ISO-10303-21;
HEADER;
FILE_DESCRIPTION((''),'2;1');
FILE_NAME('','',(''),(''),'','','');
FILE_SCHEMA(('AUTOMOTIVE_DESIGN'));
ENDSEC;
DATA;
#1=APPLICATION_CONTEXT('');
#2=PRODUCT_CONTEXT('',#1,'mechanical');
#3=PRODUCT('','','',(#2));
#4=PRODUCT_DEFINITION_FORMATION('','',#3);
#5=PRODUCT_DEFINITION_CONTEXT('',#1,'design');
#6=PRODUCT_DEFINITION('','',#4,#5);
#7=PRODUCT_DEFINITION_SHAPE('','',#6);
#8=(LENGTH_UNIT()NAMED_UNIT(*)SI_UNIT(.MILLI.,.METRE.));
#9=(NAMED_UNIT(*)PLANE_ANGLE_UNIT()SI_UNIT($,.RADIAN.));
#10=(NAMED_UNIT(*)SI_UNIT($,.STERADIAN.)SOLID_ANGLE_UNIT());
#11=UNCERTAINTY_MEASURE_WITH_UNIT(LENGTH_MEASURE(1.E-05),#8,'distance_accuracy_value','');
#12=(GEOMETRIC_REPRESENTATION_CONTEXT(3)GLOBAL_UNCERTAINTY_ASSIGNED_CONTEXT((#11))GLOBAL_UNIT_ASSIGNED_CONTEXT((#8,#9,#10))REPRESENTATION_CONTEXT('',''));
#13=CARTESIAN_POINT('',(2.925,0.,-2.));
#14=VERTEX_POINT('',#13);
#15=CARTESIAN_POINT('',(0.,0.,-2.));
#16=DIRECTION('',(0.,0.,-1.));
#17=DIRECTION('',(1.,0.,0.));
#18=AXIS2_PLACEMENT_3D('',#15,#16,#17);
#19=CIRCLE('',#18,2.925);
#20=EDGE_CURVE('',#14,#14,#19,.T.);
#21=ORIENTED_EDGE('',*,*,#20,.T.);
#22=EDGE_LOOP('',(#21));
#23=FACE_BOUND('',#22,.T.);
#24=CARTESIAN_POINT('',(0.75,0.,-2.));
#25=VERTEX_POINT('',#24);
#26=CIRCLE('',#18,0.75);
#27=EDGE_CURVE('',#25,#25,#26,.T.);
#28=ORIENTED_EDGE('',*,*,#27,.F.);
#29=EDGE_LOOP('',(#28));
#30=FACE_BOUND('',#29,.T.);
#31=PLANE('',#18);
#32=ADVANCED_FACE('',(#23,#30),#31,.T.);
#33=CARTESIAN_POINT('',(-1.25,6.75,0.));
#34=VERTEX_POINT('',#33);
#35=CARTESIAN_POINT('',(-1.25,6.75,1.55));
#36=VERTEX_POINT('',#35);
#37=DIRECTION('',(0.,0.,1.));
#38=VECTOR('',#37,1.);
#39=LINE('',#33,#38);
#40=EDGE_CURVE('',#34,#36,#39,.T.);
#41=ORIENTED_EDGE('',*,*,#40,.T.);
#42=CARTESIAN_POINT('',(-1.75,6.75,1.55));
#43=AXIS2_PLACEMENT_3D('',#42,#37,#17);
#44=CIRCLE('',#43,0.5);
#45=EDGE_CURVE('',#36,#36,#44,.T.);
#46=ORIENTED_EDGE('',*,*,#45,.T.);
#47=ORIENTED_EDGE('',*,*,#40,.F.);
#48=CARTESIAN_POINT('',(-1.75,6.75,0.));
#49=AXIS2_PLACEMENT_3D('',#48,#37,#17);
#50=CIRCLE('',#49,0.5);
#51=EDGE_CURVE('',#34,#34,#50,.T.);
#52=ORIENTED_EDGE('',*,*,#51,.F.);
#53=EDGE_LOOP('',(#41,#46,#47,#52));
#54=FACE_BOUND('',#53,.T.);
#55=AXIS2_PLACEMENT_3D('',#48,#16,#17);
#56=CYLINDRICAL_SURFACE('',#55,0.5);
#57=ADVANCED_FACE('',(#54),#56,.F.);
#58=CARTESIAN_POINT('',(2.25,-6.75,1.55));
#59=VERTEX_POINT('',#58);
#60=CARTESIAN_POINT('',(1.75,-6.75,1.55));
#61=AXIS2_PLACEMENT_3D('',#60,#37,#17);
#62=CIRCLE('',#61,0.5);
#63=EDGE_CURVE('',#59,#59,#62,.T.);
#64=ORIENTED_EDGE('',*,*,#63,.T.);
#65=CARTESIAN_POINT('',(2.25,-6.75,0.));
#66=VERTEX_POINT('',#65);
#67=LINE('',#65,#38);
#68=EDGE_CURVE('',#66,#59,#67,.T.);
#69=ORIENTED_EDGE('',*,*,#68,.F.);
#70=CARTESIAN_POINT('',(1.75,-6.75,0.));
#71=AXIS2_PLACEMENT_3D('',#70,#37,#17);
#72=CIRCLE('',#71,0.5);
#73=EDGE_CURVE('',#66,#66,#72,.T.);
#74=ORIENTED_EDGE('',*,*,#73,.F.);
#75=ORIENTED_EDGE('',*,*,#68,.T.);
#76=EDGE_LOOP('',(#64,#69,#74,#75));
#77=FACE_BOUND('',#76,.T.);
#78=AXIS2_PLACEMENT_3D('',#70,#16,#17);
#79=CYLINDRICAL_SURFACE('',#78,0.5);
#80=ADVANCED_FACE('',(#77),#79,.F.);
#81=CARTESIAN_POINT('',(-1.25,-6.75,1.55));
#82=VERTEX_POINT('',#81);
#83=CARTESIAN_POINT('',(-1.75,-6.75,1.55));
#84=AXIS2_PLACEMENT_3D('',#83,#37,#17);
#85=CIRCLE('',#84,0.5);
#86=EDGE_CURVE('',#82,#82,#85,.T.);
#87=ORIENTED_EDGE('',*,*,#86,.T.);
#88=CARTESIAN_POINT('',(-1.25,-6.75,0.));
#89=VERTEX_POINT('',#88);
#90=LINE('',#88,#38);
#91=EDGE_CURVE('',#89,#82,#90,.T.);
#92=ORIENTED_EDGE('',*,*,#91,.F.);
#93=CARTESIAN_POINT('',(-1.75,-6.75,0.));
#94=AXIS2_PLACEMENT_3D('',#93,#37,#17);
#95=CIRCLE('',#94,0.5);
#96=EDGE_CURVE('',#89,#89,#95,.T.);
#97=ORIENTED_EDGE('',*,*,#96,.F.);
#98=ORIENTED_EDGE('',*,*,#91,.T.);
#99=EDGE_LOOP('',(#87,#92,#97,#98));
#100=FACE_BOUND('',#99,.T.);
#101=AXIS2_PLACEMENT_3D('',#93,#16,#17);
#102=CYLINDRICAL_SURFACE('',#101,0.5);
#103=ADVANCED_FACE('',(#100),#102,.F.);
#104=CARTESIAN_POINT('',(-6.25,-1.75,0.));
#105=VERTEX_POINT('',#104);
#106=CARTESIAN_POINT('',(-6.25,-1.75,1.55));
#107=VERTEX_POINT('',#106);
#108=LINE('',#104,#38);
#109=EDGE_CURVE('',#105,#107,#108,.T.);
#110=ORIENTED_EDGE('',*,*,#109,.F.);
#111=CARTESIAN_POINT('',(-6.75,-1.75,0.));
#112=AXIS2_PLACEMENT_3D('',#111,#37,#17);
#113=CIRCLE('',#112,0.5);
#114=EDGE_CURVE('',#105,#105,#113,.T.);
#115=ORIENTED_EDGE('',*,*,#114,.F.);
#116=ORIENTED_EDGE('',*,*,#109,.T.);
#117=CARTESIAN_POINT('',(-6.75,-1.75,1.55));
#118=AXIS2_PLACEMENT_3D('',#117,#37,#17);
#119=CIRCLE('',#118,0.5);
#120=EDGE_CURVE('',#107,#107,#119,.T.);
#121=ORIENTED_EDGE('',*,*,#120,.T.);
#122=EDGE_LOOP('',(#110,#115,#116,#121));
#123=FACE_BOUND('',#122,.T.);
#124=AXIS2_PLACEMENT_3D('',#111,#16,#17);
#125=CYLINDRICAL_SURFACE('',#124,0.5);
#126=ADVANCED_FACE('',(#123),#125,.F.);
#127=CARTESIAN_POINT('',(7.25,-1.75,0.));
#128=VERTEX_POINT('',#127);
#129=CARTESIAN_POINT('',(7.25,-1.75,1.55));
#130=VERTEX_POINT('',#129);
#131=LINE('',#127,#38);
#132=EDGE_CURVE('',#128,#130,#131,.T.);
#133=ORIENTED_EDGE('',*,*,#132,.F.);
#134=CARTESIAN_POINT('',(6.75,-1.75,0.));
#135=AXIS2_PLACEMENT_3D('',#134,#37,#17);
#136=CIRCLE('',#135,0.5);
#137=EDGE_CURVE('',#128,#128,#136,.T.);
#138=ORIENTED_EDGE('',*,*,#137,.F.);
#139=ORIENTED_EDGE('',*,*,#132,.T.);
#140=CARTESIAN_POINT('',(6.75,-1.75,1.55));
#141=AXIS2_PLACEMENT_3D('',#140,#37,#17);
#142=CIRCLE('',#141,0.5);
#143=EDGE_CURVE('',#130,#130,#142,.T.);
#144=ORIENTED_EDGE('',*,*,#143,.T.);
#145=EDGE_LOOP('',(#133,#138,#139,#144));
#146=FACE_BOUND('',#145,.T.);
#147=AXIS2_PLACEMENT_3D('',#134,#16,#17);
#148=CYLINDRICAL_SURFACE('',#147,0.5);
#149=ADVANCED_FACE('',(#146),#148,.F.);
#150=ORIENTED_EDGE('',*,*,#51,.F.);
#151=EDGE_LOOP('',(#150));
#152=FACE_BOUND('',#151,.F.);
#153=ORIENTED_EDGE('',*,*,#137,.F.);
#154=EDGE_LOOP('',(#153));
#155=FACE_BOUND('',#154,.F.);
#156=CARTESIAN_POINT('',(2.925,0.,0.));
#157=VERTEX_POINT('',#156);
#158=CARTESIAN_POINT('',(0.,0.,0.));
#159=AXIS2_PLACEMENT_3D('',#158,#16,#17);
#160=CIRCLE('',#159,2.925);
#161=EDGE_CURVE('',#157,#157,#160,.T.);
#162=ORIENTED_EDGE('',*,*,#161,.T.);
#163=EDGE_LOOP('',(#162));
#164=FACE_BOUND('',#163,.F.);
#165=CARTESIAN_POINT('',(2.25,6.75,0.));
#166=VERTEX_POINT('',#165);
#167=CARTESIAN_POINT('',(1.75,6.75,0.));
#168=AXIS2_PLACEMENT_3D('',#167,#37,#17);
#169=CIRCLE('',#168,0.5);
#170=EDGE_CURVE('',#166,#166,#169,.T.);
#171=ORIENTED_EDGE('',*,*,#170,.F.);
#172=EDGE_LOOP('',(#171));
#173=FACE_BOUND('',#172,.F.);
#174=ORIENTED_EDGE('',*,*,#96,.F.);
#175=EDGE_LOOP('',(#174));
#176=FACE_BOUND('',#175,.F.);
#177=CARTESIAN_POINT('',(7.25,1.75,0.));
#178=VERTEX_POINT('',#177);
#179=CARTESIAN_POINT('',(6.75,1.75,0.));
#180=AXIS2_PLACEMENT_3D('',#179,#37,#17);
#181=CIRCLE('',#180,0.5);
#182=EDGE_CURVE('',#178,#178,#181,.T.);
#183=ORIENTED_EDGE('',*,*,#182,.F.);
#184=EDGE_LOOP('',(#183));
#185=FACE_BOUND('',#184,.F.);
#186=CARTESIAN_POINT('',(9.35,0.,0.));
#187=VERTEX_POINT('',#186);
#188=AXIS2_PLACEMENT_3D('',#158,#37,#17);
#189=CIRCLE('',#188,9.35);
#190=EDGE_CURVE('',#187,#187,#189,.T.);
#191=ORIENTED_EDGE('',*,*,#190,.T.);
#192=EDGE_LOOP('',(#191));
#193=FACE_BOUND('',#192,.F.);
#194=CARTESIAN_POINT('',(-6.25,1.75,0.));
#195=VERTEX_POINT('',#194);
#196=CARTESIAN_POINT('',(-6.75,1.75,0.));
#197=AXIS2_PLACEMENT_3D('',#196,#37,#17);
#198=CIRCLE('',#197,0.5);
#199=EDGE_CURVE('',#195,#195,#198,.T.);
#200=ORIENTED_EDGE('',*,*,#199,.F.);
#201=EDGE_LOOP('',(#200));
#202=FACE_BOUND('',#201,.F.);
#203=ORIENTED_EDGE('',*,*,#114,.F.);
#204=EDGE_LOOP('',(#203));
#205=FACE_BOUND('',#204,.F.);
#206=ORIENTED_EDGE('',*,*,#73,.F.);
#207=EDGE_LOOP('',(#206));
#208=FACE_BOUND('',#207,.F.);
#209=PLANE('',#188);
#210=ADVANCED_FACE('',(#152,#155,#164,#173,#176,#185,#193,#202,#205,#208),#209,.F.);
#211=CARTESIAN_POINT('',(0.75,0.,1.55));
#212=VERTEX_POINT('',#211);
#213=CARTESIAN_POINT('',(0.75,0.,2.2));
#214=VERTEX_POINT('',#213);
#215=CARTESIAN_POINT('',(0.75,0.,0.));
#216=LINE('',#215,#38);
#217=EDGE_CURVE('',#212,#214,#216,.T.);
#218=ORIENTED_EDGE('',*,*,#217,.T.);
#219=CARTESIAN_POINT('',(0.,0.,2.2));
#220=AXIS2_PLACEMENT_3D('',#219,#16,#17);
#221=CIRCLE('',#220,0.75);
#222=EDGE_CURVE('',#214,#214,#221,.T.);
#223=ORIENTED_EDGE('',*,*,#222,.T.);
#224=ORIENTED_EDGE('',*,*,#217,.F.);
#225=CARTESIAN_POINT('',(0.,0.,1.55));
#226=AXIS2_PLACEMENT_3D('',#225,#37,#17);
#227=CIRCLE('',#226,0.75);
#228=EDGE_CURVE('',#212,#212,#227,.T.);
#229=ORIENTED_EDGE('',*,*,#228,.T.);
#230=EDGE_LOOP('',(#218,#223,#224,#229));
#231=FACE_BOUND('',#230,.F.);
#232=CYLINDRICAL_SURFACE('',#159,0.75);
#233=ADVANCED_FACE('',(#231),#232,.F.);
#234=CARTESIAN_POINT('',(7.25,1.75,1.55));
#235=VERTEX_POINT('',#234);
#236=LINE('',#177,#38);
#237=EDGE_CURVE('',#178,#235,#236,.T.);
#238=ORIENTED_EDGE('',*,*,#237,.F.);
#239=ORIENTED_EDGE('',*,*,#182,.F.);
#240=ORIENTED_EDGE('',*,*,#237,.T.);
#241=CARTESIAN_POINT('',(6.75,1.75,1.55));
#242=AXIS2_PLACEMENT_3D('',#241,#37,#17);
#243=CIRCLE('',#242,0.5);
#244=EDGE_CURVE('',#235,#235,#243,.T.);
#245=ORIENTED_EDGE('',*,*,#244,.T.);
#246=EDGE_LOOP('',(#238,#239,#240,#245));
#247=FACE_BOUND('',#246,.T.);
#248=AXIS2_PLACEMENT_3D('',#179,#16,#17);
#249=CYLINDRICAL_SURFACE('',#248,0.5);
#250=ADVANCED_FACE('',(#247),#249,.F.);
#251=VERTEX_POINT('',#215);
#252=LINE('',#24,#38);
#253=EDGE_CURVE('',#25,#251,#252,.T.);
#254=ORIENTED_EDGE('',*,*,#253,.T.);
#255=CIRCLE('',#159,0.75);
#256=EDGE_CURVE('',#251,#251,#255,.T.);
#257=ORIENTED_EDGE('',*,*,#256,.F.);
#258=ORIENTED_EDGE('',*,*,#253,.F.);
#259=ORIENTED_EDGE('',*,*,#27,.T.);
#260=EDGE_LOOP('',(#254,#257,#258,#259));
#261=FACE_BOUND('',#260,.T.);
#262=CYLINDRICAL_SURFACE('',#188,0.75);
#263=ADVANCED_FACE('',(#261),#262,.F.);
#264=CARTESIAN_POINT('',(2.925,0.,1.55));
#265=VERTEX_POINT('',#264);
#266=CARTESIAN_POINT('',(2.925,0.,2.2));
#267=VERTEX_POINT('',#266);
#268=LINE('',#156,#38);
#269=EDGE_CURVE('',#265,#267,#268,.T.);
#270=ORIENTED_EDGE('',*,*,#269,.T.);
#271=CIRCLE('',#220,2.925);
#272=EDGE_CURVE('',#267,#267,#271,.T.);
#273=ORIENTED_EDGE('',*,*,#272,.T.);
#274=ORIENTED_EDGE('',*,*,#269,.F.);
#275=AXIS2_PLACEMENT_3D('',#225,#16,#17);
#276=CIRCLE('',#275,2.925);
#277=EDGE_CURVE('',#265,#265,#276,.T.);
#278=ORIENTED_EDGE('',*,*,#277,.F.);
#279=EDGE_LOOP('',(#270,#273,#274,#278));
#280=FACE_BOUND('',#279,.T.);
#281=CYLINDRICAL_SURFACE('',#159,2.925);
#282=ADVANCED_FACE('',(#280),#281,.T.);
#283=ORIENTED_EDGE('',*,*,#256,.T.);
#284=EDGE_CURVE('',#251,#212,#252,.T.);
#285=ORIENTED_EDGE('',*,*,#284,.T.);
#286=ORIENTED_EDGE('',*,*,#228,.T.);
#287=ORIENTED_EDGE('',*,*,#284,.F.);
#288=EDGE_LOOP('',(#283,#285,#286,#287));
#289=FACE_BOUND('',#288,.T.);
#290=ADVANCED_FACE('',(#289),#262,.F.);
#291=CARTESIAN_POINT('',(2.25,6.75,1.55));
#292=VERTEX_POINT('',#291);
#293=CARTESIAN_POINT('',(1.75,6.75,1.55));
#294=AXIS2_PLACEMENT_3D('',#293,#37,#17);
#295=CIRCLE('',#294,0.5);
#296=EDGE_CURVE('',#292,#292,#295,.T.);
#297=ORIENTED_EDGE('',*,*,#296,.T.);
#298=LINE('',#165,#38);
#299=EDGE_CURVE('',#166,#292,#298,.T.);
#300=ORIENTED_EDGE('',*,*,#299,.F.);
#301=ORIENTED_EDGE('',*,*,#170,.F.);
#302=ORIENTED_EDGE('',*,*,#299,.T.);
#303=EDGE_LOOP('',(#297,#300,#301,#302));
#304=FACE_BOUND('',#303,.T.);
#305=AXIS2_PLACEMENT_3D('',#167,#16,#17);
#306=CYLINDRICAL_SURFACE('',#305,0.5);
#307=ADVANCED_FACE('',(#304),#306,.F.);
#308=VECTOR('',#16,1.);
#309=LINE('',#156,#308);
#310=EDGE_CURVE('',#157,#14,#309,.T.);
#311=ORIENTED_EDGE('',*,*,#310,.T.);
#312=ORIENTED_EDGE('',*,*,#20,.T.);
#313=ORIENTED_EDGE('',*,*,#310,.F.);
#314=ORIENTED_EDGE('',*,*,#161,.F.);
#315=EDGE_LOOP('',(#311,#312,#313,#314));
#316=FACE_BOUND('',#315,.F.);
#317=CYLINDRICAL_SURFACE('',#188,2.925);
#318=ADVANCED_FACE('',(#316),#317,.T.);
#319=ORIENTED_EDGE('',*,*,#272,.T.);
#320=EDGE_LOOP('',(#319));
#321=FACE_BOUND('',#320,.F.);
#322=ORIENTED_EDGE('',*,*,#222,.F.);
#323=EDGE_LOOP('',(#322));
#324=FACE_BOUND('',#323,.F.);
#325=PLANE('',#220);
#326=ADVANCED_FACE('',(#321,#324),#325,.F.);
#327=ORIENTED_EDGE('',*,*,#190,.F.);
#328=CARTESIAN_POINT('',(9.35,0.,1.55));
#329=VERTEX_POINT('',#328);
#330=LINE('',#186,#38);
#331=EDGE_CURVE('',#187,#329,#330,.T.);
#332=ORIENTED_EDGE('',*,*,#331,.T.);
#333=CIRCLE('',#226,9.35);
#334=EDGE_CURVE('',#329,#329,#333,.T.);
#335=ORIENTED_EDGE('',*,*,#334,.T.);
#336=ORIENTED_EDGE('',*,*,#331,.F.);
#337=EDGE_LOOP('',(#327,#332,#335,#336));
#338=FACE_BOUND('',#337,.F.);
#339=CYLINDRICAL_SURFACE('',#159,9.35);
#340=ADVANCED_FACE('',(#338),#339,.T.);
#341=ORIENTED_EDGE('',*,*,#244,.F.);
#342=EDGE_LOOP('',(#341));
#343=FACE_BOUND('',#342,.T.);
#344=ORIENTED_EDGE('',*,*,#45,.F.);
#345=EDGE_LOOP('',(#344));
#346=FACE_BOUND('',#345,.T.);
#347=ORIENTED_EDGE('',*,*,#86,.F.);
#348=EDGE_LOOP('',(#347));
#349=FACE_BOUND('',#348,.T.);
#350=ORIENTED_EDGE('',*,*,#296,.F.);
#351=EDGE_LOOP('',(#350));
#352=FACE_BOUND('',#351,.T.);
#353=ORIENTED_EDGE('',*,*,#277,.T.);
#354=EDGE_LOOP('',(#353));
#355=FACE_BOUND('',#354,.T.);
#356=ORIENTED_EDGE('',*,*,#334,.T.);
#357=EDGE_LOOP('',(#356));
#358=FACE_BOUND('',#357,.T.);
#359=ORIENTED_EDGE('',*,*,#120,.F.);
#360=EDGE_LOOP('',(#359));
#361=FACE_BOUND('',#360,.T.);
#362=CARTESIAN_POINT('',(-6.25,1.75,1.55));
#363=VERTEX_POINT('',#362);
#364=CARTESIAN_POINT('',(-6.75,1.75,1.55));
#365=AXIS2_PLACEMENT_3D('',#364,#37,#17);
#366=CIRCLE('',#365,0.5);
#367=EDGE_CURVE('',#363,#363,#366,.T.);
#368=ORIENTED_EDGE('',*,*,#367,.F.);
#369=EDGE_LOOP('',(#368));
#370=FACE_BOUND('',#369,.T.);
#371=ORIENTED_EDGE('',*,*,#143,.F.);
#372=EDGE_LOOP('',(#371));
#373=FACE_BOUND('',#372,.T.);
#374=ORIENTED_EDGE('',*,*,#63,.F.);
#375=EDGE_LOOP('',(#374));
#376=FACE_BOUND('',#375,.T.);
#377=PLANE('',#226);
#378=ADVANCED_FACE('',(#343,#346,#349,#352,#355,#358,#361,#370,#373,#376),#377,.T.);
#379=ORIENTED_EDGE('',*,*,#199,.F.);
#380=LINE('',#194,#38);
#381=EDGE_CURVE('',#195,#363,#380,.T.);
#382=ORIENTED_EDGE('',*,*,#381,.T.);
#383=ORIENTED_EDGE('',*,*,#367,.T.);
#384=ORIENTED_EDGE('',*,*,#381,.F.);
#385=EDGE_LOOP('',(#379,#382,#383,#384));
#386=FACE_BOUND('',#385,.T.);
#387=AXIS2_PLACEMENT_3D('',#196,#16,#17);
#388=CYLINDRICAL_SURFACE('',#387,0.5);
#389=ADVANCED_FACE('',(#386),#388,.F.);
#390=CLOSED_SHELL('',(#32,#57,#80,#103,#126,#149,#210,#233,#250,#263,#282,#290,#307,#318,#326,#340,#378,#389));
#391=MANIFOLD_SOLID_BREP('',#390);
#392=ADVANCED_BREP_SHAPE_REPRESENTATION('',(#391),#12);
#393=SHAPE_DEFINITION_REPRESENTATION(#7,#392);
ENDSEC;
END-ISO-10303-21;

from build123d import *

# Parameters (mm, degrees)
F0_R          = 9.35
F0_R_2        = 0.5
F0_R_3        = 2.925
F0_R_4        = 0.75
F1_DEPTH      = 1.55
F2_R          = 2.925
F2_R_2        = 0.75
F3_DEPTH      = 2
F3_DEPTH_BACK = 2.2


with BuildPart() as f1:
    # F0 (on Top) → F1 (new body)
    with BuildSketch(Plane.XY):
        Circle(F0_R)
        with Locations((-1.75, -6.75)):
            Circle(F0_R_2, mode=Mode.SUBTRACT)
        with Locations((-6.75, -1.75)):
            Circle(F0_R_2, mode=Mode.SUBTRACT)
        Circle(F0_R_3, mode=Mode.SUBTRACT)
        with Locations((1.75, -6.75)):
            Circle(F0_R_2, mode=Mode.SUBTRACT)
        with Locations((6.75, -1.75)):
            Circle(F0_R_2, mode=Mode.SUBTRACT)
        with Locations((-6.75, 1.75)):
            Circle(F0_R_2, mode=Mode.SUBTRACT)
        with Locations((-1.75, 6.75)):
            Circle(F0_R_2, mode=Mode.SUBTRACT)
        with Locations((6.75, 1.75)):
            Circle(F0_R_2, mode=Mode.SUBTRACT)
        with Locations((1.75, 6.75)):
            Circle(F0_R_2, mode=Mode.SUBTRACT)
        Circle(F0_R_3)
        Circle(F0_R_4, mode=Mode.SUBTRACT)
    extrude(amount=F1_DEPTH)

    # F2 (on face) → F3 (join, two sides)
    with BuildSketch(Plane(origin=(0, 0, 0), x_dir=(1, 0, 0), z_dir=(0, 0, -1))) as f3_sk:
        Circle(F2_R)
        Circle(F2_R_2, mode=Mode.SUBTRACT)
    extrude(amount=F3_DEPTH)
    extrude(f3_sk.sketch, amount=-F3_DEPTH_BACK)


solid = f1.part
